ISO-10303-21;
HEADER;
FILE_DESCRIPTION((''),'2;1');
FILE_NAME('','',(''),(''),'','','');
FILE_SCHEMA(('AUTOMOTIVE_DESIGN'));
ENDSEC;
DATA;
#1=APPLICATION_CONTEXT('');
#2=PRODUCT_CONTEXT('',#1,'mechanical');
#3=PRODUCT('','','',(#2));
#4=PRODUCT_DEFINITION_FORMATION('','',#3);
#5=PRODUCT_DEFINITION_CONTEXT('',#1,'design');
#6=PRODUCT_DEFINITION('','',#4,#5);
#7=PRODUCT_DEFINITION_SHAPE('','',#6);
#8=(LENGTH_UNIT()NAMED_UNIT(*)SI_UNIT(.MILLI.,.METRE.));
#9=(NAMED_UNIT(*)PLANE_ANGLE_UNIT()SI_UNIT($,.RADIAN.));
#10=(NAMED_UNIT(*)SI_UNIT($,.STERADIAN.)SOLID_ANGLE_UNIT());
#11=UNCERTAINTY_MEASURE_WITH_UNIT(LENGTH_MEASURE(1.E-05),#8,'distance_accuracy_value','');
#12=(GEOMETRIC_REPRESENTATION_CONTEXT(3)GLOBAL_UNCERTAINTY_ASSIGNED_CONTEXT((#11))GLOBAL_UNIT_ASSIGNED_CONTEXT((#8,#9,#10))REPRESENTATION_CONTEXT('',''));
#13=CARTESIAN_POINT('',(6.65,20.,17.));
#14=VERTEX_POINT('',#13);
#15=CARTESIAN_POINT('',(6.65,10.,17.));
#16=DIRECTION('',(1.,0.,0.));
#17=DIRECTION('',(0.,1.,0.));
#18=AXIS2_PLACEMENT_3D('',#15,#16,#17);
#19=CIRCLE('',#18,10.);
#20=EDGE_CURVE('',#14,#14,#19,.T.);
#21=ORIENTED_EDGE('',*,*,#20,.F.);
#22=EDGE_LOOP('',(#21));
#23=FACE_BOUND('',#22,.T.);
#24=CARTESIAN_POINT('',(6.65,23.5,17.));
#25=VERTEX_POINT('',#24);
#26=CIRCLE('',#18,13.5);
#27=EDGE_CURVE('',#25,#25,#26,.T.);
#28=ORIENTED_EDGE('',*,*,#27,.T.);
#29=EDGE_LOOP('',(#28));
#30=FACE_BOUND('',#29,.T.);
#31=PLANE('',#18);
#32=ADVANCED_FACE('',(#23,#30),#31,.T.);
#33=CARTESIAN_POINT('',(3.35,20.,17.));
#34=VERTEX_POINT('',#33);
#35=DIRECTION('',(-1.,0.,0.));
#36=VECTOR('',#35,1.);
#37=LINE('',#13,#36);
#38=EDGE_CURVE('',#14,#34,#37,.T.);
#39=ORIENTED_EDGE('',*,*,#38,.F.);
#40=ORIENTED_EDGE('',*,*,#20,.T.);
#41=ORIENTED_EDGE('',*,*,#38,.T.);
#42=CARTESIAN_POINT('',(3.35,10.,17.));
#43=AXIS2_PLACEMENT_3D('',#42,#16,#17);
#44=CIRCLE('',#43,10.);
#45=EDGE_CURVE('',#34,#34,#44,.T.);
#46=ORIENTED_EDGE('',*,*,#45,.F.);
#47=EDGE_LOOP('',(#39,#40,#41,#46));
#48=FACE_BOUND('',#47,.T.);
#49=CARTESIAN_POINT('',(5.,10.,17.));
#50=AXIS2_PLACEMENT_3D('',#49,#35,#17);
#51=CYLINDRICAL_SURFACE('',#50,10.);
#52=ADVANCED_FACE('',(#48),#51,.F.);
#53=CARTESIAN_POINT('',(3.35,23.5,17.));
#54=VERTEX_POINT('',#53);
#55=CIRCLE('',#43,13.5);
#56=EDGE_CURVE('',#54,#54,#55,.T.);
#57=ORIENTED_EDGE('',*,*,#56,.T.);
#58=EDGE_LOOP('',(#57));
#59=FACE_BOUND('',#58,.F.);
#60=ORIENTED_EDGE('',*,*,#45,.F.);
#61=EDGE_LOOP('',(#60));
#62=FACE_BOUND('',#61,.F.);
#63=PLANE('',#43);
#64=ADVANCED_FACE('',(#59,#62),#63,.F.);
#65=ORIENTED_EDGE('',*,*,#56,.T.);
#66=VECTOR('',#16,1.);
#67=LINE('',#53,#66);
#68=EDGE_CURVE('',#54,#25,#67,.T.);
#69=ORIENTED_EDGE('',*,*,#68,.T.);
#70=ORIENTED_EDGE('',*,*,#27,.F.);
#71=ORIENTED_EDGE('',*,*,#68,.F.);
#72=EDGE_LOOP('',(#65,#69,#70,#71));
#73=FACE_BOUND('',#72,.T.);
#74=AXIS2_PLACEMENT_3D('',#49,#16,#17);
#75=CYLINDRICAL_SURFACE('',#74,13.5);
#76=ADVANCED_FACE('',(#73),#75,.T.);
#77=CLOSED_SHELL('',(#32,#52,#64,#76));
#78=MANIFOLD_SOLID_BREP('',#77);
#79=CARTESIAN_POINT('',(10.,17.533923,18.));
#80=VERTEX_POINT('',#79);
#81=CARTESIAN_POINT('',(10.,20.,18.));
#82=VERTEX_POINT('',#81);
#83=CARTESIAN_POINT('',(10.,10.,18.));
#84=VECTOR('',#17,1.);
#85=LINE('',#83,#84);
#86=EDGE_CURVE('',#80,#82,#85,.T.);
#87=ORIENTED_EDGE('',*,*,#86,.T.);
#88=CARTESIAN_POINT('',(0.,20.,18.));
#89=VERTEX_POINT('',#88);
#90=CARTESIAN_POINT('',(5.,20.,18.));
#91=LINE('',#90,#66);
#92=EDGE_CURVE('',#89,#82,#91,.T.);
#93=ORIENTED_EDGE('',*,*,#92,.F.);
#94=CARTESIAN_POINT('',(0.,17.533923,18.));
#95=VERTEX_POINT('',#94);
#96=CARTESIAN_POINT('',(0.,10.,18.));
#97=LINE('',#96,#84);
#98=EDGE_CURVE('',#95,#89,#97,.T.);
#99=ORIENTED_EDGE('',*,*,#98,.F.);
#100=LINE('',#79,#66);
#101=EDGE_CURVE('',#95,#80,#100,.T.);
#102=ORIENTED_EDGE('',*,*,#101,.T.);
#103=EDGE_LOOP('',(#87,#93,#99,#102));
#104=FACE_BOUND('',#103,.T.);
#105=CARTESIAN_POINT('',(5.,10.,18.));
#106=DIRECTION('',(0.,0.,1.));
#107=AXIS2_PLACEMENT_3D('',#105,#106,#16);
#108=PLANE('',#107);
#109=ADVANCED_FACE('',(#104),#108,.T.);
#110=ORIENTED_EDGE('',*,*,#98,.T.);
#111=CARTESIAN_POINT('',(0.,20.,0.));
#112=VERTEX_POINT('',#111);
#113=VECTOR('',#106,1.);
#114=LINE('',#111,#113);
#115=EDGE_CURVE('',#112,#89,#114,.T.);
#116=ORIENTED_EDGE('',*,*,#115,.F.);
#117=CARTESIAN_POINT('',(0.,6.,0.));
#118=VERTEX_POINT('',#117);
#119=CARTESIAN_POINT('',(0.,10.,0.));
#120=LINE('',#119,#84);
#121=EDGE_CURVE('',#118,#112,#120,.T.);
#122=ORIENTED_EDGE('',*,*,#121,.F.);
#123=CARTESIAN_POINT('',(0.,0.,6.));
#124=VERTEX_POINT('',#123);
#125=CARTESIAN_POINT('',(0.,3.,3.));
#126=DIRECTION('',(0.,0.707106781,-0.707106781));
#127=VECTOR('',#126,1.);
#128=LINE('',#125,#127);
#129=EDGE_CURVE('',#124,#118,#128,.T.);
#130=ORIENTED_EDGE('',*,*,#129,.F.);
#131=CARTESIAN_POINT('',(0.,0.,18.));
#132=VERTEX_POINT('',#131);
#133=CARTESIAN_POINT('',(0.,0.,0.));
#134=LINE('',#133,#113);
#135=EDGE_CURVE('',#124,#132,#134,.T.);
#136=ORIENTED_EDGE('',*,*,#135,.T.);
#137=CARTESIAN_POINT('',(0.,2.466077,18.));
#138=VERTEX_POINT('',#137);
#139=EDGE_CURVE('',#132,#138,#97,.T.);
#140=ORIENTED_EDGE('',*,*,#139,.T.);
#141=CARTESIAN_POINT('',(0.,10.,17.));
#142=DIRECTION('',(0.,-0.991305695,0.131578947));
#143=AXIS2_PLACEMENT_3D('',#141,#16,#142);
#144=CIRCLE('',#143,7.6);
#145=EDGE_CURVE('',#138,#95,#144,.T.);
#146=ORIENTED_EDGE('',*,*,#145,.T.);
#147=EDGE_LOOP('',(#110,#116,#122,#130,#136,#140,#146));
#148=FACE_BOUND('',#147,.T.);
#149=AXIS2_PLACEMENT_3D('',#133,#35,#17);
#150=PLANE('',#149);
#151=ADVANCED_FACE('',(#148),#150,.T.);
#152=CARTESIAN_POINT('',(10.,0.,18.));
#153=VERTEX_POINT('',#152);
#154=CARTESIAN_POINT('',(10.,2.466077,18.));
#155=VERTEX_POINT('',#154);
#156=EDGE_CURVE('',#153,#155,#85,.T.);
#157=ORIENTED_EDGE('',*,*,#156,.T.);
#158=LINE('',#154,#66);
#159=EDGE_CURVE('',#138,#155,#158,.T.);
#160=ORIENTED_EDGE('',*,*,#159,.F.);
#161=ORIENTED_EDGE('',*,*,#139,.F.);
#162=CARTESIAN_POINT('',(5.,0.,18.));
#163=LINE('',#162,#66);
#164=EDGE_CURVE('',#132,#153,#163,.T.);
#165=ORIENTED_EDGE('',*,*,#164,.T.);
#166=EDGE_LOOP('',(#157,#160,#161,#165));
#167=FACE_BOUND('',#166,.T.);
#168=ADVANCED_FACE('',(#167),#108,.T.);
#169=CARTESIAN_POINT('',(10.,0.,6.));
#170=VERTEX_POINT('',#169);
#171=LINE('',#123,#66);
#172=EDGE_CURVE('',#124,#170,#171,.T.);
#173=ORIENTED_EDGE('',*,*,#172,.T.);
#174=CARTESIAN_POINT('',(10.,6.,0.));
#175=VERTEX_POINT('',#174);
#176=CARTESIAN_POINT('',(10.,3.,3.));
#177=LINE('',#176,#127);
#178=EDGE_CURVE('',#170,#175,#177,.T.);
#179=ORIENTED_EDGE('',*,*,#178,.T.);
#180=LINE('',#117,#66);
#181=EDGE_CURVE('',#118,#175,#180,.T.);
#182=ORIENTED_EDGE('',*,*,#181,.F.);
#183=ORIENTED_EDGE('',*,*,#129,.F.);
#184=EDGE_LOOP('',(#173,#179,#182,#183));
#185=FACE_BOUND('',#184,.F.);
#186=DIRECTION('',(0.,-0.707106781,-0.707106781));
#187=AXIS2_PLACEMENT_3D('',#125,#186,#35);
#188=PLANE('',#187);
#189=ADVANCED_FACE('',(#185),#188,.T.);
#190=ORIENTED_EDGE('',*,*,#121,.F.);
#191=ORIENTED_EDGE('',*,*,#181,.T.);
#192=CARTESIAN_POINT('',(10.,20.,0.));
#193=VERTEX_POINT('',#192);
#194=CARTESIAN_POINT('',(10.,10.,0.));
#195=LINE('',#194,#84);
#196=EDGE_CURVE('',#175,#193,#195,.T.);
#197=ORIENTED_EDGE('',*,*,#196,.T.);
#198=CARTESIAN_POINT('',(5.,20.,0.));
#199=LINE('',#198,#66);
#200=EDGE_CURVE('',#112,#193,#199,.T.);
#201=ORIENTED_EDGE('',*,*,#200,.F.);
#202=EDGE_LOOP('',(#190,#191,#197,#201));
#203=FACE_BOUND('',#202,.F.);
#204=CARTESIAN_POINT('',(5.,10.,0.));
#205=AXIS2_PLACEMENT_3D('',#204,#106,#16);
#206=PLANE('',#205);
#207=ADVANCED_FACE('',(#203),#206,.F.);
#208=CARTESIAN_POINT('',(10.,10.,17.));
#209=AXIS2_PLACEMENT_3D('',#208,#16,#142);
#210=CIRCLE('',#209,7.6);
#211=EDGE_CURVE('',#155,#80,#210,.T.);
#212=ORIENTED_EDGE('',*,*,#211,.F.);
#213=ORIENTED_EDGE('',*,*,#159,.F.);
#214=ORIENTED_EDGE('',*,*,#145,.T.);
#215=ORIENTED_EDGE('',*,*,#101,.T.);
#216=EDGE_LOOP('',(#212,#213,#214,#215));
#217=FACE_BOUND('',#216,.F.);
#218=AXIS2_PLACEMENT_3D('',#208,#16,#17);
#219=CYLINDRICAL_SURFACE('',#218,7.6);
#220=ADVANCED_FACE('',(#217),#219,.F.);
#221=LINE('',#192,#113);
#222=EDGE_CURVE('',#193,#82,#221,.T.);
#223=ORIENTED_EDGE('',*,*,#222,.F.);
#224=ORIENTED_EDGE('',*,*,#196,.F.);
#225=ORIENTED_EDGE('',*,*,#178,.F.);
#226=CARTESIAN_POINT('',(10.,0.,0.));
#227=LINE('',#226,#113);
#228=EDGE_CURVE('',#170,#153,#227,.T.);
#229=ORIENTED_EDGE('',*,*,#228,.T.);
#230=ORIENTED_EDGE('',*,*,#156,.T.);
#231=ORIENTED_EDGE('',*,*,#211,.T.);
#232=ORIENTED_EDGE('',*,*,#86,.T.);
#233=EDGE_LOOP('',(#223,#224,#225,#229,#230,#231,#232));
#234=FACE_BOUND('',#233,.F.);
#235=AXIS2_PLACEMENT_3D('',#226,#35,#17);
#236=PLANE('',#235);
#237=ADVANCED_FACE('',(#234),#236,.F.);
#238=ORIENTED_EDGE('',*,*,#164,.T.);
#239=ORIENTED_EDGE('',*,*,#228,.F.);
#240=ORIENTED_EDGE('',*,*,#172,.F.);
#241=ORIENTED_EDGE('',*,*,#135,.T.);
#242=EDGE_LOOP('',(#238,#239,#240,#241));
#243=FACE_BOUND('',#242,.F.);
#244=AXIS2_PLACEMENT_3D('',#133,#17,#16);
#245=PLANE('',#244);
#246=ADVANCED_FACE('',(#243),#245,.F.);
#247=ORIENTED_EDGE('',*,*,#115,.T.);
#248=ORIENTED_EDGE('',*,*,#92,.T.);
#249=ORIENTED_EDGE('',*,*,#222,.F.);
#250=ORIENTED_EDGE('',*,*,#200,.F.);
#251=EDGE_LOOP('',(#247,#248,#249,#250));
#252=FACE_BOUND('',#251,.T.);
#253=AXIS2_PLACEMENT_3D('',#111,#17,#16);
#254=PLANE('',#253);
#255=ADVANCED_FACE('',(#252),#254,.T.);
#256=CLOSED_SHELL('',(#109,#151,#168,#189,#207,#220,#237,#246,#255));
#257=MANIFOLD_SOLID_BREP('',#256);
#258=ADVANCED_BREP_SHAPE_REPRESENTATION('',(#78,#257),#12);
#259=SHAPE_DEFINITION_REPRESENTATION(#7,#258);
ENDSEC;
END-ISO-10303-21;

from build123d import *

# Parameters (mm, degrees)
F0_W     = 10
F0_H     = 20
F1_DEPTH = 18
F2_R     = 7.6
F3_DEPTH = 10.001
F5_R     = 13.5
F5_R_2   = 10
F6_DEPTH = 1.65
F7_SIZE  = 6


with BuildPart() as f1:
    # F0 (on Top) → F1 (new body)
    with BuildSketch(Plane.XY):
        with Locations((5, 10)):
            Rectangle(F0_W, F0_H)
    extrude(amount=F1_DEPTH)

    # F2 (on face) → F3 (cut, through all)
    with BuildSketch(Plane.YZ.offset(10)):
        with Locations((10, 17)):
            Circle(F2_R)
    extrude(amount=-F3_DEPTH, mode=Mode.SUBTRACT)

    # F7
    f7_edges = [f1.edges().sort_by_distance(p)[0] for p in [
        (5, 0, 0),
    ]]
    chamfer(f7_edges, length=F7_SIZE)


with BuildPart() as f6:
    # F5 (on mid) → F6 (new body, symmetric)
    with BuildSketch(Plane.YZ.offset(5)):
        with Locations((10, 17)):
            Circle(F5_R)
        with Locations((10, 17)):
            Circle(F5_R_2, mode=Mode.SUBTRACT)
    extrude(amount=F6_DEPTH, both=True)


solid = Compound([f1.part, f6.part])
